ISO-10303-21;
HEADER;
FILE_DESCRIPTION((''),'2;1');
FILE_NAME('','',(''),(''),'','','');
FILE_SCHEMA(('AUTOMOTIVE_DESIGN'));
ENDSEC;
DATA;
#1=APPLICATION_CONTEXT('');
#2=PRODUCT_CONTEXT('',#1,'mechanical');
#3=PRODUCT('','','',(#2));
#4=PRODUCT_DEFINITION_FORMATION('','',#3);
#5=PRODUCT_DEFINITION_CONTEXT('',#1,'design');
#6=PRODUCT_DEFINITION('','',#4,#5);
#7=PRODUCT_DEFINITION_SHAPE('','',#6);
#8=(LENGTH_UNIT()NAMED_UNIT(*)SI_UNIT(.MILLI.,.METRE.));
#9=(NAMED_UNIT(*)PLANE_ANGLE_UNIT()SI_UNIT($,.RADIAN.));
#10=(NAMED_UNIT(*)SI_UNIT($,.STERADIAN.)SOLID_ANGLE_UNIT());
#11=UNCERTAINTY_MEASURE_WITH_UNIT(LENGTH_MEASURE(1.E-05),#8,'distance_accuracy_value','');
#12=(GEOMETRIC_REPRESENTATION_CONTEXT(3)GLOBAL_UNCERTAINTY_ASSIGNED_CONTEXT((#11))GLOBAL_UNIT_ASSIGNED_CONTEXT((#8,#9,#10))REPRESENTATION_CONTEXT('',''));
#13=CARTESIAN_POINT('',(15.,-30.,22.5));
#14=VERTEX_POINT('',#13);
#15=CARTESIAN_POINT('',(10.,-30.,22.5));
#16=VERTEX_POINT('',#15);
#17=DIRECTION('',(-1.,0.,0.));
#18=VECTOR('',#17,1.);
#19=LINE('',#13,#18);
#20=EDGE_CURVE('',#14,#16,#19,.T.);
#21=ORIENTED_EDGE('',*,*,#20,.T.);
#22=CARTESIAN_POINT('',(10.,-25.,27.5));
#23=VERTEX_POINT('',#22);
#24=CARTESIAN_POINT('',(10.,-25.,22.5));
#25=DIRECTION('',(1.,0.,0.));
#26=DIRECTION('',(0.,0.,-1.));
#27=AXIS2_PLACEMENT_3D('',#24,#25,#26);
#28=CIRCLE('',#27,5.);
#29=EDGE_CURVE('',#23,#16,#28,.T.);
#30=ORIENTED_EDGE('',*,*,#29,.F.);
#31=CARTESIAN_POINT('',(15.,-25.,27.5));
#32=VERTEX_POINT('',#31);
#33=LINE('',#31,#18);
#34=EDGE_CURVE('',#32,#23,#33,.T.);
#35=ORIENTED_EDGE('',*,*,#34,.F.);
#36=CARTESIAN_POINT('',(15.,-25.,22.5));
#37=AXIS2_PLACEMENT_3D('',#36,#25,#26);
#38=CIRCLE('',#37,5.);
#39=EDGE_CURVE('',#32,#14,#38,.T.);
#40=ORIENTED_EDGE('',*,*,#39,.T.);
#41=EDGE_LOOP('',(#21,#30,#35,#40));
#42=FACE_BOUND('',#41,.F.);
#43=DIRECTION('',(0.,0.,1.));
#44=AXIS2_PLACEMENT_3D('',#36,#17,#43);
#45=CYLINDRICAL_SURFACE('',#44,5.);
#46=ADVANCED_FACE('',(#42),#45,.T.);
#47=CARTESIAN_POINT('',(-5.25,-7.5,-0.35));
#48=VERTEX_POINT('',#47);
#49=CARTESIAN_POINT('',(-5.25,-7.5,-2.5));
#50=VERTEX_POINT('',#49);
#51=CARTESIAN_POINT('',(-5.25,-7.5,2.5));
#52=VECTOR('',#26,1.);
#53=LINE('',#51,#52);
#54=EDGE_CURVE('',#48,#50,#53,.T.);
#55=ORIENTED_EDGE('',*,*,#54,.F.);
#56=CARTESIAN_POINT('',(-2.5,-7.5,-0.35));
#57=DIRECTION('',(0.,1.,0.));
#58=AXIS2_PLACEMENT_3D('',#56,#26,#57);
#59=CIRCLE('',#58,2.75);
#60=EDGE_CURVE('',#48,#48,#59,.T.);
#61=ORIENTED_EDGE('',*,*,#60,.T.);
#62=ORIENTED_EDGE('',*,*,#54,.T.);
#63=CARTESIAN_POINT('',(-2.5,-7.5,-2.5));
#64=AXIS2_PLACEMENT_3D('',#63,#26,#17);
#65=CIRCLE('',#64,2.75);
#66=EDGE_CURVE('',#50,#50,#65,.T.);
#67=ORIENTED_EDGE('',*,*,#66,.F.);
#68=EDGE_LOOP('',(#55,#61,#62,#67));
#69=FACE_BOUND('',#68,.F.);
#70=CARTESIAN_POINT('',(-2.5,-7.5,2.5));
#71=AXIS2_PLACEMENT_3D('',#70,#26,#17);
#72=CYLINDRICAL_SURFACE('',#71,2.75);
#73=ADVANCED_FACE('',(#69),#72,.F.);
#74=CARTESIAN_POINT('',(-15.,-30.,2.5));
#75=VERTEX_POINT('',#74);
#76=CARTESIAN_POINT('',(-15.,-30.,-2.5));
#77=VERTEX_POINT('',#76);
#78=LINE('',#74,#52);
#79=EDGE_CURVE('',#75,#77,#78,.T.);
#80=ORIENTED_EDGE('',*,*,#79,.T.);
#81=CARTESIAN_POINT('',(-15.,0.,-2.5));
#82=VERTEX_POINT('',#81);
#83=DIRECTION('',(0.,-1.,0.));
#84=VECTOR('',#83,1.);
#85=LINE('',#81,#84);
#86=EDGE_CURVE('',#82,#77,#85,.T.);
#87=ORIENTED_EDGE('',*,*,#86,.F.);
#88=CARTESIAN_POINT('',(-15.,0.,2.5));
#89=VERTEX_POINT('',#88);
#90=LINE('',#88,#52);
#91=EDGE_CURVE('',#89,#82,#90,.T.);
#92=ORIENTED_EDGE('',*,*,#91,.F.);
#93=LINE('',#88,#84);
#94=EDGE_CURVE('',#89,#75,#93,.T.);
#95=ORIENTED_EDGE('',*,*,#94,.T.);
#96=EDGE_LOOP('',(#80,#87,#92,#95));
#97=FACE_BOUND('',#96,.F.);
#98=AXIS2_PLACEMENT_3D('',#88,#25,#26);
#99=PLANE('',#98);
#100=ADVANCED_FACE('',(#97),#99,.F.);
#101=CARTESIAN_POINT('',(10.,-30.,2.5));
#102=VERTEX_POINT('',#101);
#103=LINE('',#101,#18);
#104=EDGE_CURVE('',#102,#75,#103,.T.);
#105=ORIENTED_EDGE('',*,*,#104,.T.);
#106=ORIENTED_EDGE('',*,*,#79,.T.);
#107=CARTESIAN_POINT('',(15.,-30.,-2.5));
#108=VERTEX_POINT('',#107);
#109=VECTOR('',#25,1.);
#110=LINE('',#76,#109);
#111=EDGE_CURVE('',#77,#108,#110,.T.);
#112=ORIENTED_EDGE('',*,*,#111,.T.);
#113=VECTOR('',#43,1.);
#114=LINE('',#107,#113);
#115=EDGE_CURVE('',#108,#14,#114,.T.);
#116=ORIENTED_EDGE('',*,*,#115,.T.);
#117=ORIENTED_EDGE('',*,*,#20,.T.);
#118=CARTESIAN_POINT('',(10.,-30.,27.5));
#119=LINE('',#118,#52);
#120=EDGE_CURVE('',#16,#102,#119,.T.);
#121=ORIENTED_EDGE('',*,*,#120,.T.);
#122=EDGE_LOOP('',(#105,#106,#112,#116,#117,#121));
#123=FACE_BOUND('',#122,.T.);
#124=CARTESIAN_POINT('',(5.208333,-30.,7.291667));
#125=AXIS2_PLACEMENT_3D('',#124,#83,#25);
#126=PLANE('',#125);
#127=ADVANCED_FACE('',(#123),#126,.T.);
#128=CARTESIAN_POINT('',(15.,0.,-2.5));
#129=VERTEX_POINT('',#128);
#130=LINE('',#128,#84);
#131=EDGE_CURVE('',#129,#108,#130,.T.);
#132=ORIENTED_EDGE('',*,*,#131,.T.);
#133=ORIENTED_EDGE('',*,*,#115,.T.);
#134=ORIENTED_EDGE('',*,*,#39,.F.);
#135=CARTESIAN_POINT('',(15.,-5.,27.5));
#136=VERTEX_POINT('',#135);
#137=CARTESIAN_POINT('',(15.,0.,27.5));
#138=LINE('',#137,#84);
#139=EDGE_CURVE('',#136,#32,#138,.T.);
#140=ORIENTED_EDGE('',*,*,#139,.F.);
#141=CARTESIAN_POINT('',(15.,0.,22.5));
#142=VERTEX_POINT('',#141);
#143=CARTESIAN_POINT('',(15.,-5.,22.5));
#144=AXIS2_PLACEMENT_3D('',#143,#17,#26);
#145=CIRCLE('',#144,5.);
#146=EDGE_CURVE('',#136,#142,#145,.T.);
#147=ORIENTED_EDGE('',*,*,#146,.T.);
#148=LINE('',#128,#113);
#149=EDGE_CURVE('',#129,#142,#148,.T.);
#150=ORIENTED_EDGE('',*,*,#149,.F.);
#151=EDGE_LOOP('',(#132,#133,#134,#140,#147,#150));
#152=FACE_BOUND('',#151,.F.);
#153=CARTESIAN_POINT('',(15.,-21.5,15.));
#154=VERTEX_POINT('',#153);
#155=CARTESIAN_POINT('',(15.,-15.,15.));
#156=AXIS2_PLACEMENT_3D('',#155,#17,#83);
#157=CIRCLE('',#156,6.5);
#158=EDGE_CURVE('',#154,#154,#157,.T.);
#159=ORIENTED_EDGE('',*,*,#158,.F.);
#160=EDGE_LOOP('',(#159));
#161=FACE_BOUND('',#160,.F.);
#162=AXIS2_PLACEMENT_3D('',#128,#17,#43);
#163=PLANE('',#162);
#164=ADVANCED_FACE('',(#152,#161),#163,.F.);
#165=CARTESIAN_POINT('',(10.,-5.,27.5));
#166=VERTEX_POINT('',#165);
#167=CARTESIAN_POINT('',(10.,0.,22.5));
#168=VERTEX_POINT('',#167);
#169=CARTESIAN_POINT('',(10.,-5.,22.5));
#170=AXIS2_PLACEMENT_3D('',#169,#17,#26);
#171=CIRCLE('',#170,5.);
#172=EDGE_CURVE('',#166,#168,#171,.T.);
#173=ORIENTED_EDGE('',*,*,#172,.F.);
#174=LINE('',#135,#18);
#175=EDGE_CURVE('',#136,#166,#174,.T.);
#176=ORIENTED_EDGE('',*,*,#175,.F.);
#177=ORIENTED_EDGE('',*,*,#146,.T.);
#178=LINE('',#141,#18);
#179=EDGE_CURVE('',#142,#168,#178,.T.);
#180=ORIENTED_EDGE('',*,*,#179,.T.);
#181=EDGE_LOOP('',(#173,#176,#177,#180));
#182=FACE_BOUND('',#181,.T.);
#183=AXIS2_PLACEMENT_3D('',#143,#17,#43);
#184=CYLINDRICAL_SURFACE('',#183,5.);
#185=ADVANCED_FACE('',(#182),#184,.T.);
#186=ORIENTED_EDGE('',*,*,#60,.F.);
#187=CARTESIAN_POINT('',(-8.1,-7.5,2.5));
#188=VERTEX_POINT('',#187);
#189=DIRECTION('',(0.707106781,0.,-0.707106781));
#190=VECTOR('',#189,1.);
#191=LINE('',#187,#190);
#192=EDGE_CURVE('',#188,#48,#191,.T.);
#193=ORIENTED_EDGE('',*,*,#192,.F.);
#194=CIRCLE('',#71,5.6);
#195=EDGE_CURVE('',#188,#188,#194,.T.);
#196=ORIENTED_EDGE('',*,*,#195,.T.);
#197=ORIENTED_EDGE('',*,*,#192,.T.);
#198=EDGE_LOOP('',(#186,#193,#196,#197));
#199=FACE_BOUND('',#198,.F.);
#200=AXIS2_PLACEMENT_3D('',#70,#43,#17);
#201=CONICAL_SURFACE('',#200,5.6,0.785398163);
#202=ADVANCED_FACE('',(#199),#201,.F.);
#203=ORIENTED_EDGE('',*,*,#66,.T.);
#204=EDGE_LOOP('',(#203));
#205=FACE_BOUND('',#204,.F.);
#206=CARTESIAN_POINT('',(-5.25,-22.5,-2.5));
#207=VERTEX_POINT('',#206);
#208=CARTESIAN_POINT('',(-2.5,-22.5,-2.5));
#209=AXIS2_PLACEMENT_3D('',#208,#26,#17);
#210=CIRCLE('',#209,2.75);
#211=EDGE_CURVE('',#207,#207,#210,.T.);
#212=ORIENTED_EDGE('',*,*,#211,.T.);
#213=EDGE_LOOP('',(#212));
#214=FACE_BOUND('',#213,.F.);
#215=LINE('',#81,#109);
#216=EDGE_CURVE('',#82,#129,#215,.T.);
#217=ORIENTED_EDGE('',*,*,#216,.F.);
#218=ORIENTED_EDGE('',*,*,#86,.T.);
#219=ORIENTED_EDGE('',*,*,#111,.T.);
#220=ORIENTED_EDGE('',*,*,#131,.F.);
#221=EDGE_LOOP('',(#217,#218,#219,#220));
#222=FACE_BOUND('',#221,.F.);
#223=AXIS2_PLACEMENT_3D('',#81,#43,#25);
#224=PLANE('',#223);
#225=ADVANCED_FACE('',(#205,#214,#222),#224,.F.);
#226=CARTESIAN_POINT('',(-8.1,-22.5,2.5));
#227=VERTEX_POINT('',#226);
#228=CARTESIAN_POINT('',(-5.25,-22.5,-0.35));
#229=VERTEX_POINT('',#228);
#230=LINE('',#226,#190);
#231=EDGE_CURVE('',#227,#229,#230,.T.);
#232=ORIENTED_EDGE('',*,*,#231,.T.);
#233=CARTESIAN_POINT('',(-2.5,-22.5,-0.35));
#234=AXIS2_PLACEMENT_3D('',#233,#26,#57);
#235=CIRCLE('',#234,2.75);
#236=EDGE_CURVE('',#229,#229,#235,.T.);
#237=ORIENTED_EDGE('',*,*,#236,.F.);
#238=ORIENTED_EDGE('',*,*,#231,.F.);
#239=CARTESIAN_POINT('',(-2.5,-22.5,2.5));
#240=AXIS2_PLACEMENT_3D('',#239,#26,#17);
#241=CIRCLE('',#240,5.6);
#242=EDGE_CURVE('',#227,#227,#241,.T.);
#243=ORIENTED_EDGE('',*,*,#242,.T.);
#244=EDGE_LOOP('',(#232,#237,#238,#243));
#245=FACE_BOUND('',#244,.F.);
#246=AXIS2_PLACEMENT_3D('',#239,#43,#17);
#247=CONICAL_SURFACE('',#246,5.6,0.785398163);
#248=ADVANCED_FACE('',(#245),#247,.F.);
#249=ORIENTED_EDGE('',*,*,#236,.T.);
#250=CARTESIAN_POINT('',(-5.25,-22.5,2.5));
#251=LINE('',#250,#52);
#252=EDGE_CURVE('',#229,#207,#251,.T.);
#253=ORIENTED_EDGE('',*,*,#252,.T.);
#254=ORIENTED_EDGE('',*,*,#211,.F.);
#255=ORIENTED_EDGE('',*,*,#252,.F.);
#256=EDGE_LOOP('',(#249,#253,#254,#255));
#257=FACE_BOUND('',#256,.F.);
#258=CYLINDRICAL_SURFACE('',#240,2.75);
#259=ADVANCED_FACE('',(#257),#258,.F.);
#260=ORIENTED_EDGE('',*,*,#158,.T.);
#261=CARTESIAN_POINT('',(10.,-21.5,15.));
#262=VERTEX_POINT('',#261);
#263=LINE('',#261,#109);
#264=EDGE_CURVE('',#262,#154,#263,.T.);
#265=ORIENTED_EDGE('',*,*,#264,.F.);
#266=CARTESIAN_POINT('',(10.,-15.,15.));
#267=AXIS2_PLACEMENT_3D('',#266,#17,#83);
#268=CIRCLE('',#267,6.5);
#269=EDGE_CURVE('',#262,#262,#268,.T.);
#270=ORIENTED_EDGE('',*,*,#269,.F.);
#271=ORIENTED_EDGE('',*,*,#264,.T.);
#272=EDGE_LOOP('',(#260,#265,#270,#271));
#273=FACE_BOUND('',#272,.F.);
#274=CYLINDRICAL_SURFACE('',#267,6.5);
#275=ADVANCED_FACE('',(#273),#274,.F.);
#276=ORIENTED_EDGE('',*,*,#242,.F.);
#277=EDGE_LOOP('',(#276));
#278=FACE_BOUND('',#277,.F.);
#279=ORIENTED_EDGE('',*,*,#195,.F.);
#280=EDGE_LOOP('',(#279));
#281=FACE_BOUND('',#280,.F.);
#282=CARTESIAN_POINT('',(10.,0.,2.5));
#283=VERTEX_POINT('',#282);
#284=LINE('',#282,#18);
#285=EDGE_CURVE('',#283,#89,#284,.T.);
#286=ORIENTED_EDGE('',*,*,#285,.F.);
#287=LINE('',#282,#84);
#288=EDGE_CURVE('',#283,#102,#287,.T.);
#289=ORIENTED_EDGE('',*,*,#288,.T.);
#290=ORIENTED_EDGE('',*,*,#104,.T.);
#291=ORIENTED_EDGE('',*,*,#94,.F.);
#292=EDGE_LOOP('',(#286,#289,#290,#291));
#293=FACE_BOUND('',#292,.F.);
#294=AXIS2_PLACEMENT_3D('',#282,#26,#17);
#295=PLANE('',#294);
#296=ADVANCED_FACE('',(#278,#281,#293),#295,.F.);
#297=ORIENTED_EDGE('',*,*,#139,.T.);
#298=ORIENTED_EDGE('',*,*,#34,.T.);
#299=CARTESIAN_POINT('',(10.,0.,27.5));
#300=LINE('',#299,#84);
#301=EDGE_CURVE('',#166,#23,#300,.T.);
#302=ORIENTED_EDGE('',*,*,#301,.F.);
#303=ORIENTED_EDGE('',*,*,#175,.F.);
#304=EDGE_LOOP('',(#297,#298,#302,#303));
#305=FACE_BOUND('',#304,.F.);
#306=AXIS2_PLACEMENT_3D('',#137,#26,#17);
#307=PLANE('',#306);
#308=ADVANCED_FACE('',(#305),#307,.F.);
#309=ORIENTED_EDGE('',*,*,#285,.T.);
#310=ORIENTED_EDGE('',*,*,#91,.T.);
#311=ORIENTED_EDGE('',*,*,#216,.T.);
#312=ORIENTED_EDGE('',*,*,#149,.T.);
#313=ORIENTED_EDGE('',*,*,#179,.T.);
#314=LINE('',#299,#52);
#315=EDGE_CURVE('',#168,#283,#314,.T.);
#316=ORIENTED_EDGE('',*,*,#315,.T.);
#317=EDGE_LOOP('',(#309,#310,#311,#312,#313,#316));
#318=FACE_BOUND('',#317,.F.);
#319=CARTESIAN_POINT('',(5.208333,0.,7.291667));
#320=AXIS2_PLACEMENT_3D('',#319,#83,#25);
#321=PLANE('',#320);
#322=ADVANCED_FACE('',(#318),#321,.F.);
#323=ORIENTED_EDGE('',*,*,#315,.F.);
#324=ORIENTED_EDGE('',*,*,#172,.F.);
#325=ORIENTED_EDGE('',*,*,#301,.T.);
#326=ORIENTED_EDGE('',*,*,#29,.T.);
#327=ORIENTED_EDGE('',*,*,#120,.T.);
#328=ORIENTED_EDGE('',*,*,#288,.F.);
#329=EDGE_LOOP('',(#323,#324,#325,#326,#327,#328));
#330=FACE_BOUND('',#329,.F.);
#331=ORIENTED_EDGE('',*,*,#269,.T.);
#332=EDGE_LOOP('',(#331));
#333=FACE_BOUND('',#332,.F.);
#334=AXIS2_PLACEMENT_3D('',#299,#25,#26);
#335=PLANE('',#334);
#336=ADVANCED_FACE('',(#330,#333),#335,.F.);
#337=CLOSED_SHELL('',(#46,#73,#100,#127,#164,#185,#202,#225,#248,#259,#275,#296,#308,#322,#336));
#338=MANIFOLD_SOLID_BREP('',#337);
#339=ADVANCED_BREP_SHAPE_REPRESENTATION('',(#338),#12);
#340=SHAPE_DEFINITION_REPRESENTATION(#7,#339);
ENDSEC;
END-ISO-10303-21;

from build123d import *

# Parameters (mm, degrees)
F1_DEPTH       = 30
F2_R           = 5
F3_R           = 6.5
F4_DEPTH       = 5.001
F6_D           = 5.5
F6_DEPTH       = 18
F6_CSINK_D     = 11.2
F6_CSINK_ANGLE = 90
F6_TIP         = 1.6523667023


with BuildPart() as f1:
    # F0 (on Front) → F1 (new body)
    with BuildSketch(Plane.XZ):
        Polygon((-15, -2.5), (15, -2.5), (15, 2.5), (15, 27.5), (10, 27.5), (10, 2.5), (-15, 2.5), align=None)
    extrude(amount=F1_DEPTH)

    # F2
    f2_edges = [f1.edges().sort_by_distance(p)[0] for p in [
        (12.5, 0, 27.5),
        (12.5, -30, 27.5),
    ]]
    fillet(f2_edges, radius=F2_R)

    # F3 (on face) → F4 (cut, through all)
    with BuildSketch(Plane(origin=(10, 0, 0), x_dir=(0, -1, 0), z_dir=(-1, 0, 0))):
        with Locations((15, 15)):
            Circle(F3_R)
    extrude(amount=-F4_DEPTH, mode=Mode.SUBTRACT)

    # F6
    with Locations(Plane.XY.offset(2.5)):
        with Locations((-2.5, -22.5), (-2.5, -7.5)):
            CounterSinkHole(F6_D / 2, F6_CSINK_D / 2, depth=F6_DEPTH, counter_sink_angle=F6_CSINK_ANGLE)
            with Locations((0, 0, -(F6_DEPTH + F6_TIP / 2))):  # 118° drill point
                Cone(0, F6_D / 2, F6_TIP, mode=Mode.SUBTRACT)


solid = f1.part
